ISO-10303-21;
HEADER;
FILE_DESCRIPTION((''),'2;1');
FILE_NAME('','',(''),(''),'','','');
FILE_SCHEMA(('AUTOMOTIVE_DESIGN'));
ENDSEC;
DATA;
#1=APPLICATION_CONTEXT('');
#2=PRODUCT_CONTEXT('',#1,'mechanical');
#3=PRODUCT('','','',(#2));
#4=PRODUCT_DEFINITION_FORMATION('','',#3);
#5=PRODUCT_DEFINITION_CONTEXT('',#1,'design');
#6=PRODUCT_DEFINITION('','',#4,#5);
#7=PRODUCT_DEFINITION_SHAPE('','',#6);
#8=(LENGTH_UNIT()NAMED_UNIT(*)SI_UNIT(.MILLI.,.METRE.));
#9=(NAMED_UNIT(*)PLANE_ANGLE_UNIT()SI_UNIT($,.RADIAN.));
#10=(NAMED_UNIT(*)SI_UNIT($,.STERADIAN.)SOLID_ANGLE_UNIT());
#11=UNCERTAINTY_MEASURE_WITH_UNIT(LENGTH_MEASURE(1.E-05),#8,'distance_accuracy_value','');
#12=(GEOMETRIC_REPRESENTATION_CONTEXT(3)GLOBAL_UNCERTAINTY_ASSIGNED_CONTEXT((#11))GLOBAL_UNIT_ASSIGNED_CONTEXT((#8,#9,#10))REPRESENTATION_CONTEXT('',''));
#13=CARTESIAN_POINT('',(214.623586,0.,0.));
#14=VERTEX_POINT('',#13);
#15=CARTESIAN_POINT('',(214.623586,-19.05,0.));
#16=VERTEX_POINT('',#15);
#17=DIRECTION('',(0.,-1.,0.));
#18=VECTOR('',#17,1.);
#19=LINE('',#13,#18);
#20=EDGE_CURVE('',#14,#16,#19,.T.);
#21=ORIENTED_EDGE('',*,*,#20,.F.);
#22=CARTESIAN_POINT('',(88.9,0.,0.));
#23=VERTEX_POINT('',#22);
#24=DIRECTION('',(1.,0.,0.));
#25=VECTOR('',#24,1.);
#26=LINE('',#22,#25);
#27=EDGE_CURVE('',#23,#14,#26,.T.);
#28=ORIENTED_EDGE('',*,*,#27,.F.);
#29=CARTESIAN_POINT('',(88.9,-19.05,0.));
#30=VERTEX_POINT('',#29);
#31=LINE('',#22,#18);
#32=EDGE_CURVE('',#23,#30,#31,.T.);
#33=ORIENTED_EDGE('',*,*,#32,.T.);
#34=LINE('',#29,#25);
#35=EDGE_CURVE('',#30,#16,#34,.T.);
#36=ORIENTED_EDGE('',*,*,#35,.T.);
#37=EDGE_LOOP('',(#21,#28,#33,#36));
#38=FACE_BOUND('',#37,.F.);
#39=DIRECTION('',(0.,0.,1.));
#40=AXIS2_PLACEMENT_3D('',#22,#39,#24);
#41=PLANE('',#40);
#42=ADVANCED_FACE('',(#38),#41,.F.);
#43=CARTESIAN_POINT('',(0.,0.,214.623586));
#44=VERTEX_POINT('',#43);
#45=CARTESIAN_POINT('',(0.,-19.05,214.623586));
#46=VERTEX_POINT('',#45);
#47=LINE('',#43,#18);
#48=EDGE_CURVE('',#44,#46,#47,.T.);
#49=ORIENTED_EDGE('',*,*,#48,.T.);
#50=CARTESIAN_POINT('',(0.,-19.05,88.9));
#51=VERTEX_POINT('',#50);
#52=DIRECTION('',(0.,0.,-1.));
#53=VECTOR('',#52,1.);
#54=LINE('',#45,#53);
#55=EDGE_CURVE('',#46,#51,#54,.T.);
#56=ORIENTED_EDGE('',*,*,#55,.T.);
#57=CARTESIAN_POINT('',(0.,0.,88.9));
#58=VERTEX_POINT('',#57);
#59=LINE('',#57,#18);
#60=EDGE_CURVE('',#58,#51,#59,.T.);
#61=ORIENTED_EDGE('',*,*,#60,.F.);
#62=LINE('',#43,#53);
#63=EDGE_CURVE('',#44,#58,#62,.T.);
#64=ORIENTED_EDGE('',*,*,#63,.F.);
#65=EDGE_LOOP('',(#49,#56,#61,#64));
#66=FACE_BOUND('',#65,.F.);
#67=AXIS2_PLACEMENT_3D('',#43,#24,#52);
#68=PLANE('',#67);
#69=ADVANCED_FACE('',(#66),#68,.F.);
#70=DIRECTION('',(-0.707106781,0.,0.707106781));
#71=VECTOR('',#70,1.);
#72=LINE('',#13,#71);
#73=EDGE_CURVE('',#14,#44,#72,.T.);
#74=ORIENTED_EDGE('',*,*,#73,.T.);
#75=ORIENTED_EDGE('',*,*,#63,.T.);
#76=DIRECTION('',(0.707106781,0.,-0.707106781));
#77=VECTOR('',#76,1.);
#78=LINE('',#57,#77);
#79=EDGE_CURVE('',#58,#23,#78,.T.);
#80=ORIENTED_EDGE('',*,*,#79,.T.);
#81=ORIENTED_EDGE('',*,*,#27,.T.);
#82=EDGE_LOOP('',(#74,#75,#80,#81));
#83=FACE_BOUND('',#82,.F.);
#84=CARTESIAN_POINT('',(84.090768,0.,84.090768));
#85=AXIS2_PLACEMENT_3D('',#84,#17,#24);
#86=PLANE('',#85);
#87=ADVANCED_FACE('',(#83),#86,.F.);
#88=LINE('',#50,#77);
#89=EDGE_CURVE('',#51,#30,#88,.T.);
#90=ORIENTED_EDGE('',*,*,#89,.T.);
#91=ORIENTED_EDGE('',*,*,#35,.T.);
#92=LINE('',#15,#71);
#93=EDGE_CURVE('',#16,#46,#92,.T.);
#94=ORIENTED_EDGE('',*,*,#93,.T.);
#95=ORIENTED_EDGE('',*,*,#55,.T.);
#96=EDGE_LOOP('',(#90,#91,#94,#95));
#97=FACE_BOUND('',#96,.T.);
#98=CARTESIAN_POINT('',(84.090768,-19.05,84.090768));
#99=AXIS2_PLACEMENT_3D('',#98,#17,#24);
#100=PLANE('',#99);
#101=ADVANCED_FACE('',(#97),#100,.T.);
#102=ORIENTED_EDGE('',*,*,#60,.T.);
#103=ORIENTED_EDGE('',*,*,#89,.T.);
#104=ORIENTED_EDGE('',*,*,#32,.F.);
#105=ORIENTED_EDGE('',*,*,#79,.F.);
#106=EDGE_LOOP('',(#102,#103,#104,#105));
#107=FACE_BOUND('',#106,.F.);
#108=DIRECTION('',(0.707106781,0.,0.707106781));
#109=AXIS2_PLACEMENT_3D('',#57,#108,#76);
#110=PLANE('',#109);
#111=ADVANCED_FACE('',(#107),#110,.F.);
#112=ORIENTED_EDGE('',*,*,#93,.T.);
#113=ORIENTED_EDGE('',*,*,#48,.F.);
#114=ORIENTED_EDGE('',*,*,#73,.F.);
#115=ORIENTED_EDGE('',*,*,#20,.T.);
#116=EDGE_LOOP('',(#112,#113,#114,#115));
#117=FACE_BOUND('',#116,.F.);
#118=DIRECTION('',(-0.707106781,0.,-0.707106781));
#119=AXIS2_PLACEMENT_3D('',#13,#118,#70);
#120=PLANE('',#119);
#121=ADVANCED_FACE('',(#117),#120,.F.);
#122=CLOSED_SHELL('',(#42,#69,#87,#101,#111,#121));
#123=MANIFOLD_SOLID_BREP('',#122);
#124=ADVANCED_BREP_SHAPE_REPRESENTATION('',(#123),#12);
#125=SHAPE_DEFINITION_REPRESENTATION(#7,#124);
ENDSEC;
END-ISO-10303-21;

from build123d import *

# Parameters (mm, degrees)
PAD_DEPTH = 19.05


with BuildPart() as part:
    # Sketch → Pad (new body)
    with BuildSketch(Plane.XZ):
        Polygon((0, 88.9), (88.9, 0), (214.623586, 0), (0, 214.623586), align=None)
    extrude(amount=PAD_DEPTH)


solid = part.part
